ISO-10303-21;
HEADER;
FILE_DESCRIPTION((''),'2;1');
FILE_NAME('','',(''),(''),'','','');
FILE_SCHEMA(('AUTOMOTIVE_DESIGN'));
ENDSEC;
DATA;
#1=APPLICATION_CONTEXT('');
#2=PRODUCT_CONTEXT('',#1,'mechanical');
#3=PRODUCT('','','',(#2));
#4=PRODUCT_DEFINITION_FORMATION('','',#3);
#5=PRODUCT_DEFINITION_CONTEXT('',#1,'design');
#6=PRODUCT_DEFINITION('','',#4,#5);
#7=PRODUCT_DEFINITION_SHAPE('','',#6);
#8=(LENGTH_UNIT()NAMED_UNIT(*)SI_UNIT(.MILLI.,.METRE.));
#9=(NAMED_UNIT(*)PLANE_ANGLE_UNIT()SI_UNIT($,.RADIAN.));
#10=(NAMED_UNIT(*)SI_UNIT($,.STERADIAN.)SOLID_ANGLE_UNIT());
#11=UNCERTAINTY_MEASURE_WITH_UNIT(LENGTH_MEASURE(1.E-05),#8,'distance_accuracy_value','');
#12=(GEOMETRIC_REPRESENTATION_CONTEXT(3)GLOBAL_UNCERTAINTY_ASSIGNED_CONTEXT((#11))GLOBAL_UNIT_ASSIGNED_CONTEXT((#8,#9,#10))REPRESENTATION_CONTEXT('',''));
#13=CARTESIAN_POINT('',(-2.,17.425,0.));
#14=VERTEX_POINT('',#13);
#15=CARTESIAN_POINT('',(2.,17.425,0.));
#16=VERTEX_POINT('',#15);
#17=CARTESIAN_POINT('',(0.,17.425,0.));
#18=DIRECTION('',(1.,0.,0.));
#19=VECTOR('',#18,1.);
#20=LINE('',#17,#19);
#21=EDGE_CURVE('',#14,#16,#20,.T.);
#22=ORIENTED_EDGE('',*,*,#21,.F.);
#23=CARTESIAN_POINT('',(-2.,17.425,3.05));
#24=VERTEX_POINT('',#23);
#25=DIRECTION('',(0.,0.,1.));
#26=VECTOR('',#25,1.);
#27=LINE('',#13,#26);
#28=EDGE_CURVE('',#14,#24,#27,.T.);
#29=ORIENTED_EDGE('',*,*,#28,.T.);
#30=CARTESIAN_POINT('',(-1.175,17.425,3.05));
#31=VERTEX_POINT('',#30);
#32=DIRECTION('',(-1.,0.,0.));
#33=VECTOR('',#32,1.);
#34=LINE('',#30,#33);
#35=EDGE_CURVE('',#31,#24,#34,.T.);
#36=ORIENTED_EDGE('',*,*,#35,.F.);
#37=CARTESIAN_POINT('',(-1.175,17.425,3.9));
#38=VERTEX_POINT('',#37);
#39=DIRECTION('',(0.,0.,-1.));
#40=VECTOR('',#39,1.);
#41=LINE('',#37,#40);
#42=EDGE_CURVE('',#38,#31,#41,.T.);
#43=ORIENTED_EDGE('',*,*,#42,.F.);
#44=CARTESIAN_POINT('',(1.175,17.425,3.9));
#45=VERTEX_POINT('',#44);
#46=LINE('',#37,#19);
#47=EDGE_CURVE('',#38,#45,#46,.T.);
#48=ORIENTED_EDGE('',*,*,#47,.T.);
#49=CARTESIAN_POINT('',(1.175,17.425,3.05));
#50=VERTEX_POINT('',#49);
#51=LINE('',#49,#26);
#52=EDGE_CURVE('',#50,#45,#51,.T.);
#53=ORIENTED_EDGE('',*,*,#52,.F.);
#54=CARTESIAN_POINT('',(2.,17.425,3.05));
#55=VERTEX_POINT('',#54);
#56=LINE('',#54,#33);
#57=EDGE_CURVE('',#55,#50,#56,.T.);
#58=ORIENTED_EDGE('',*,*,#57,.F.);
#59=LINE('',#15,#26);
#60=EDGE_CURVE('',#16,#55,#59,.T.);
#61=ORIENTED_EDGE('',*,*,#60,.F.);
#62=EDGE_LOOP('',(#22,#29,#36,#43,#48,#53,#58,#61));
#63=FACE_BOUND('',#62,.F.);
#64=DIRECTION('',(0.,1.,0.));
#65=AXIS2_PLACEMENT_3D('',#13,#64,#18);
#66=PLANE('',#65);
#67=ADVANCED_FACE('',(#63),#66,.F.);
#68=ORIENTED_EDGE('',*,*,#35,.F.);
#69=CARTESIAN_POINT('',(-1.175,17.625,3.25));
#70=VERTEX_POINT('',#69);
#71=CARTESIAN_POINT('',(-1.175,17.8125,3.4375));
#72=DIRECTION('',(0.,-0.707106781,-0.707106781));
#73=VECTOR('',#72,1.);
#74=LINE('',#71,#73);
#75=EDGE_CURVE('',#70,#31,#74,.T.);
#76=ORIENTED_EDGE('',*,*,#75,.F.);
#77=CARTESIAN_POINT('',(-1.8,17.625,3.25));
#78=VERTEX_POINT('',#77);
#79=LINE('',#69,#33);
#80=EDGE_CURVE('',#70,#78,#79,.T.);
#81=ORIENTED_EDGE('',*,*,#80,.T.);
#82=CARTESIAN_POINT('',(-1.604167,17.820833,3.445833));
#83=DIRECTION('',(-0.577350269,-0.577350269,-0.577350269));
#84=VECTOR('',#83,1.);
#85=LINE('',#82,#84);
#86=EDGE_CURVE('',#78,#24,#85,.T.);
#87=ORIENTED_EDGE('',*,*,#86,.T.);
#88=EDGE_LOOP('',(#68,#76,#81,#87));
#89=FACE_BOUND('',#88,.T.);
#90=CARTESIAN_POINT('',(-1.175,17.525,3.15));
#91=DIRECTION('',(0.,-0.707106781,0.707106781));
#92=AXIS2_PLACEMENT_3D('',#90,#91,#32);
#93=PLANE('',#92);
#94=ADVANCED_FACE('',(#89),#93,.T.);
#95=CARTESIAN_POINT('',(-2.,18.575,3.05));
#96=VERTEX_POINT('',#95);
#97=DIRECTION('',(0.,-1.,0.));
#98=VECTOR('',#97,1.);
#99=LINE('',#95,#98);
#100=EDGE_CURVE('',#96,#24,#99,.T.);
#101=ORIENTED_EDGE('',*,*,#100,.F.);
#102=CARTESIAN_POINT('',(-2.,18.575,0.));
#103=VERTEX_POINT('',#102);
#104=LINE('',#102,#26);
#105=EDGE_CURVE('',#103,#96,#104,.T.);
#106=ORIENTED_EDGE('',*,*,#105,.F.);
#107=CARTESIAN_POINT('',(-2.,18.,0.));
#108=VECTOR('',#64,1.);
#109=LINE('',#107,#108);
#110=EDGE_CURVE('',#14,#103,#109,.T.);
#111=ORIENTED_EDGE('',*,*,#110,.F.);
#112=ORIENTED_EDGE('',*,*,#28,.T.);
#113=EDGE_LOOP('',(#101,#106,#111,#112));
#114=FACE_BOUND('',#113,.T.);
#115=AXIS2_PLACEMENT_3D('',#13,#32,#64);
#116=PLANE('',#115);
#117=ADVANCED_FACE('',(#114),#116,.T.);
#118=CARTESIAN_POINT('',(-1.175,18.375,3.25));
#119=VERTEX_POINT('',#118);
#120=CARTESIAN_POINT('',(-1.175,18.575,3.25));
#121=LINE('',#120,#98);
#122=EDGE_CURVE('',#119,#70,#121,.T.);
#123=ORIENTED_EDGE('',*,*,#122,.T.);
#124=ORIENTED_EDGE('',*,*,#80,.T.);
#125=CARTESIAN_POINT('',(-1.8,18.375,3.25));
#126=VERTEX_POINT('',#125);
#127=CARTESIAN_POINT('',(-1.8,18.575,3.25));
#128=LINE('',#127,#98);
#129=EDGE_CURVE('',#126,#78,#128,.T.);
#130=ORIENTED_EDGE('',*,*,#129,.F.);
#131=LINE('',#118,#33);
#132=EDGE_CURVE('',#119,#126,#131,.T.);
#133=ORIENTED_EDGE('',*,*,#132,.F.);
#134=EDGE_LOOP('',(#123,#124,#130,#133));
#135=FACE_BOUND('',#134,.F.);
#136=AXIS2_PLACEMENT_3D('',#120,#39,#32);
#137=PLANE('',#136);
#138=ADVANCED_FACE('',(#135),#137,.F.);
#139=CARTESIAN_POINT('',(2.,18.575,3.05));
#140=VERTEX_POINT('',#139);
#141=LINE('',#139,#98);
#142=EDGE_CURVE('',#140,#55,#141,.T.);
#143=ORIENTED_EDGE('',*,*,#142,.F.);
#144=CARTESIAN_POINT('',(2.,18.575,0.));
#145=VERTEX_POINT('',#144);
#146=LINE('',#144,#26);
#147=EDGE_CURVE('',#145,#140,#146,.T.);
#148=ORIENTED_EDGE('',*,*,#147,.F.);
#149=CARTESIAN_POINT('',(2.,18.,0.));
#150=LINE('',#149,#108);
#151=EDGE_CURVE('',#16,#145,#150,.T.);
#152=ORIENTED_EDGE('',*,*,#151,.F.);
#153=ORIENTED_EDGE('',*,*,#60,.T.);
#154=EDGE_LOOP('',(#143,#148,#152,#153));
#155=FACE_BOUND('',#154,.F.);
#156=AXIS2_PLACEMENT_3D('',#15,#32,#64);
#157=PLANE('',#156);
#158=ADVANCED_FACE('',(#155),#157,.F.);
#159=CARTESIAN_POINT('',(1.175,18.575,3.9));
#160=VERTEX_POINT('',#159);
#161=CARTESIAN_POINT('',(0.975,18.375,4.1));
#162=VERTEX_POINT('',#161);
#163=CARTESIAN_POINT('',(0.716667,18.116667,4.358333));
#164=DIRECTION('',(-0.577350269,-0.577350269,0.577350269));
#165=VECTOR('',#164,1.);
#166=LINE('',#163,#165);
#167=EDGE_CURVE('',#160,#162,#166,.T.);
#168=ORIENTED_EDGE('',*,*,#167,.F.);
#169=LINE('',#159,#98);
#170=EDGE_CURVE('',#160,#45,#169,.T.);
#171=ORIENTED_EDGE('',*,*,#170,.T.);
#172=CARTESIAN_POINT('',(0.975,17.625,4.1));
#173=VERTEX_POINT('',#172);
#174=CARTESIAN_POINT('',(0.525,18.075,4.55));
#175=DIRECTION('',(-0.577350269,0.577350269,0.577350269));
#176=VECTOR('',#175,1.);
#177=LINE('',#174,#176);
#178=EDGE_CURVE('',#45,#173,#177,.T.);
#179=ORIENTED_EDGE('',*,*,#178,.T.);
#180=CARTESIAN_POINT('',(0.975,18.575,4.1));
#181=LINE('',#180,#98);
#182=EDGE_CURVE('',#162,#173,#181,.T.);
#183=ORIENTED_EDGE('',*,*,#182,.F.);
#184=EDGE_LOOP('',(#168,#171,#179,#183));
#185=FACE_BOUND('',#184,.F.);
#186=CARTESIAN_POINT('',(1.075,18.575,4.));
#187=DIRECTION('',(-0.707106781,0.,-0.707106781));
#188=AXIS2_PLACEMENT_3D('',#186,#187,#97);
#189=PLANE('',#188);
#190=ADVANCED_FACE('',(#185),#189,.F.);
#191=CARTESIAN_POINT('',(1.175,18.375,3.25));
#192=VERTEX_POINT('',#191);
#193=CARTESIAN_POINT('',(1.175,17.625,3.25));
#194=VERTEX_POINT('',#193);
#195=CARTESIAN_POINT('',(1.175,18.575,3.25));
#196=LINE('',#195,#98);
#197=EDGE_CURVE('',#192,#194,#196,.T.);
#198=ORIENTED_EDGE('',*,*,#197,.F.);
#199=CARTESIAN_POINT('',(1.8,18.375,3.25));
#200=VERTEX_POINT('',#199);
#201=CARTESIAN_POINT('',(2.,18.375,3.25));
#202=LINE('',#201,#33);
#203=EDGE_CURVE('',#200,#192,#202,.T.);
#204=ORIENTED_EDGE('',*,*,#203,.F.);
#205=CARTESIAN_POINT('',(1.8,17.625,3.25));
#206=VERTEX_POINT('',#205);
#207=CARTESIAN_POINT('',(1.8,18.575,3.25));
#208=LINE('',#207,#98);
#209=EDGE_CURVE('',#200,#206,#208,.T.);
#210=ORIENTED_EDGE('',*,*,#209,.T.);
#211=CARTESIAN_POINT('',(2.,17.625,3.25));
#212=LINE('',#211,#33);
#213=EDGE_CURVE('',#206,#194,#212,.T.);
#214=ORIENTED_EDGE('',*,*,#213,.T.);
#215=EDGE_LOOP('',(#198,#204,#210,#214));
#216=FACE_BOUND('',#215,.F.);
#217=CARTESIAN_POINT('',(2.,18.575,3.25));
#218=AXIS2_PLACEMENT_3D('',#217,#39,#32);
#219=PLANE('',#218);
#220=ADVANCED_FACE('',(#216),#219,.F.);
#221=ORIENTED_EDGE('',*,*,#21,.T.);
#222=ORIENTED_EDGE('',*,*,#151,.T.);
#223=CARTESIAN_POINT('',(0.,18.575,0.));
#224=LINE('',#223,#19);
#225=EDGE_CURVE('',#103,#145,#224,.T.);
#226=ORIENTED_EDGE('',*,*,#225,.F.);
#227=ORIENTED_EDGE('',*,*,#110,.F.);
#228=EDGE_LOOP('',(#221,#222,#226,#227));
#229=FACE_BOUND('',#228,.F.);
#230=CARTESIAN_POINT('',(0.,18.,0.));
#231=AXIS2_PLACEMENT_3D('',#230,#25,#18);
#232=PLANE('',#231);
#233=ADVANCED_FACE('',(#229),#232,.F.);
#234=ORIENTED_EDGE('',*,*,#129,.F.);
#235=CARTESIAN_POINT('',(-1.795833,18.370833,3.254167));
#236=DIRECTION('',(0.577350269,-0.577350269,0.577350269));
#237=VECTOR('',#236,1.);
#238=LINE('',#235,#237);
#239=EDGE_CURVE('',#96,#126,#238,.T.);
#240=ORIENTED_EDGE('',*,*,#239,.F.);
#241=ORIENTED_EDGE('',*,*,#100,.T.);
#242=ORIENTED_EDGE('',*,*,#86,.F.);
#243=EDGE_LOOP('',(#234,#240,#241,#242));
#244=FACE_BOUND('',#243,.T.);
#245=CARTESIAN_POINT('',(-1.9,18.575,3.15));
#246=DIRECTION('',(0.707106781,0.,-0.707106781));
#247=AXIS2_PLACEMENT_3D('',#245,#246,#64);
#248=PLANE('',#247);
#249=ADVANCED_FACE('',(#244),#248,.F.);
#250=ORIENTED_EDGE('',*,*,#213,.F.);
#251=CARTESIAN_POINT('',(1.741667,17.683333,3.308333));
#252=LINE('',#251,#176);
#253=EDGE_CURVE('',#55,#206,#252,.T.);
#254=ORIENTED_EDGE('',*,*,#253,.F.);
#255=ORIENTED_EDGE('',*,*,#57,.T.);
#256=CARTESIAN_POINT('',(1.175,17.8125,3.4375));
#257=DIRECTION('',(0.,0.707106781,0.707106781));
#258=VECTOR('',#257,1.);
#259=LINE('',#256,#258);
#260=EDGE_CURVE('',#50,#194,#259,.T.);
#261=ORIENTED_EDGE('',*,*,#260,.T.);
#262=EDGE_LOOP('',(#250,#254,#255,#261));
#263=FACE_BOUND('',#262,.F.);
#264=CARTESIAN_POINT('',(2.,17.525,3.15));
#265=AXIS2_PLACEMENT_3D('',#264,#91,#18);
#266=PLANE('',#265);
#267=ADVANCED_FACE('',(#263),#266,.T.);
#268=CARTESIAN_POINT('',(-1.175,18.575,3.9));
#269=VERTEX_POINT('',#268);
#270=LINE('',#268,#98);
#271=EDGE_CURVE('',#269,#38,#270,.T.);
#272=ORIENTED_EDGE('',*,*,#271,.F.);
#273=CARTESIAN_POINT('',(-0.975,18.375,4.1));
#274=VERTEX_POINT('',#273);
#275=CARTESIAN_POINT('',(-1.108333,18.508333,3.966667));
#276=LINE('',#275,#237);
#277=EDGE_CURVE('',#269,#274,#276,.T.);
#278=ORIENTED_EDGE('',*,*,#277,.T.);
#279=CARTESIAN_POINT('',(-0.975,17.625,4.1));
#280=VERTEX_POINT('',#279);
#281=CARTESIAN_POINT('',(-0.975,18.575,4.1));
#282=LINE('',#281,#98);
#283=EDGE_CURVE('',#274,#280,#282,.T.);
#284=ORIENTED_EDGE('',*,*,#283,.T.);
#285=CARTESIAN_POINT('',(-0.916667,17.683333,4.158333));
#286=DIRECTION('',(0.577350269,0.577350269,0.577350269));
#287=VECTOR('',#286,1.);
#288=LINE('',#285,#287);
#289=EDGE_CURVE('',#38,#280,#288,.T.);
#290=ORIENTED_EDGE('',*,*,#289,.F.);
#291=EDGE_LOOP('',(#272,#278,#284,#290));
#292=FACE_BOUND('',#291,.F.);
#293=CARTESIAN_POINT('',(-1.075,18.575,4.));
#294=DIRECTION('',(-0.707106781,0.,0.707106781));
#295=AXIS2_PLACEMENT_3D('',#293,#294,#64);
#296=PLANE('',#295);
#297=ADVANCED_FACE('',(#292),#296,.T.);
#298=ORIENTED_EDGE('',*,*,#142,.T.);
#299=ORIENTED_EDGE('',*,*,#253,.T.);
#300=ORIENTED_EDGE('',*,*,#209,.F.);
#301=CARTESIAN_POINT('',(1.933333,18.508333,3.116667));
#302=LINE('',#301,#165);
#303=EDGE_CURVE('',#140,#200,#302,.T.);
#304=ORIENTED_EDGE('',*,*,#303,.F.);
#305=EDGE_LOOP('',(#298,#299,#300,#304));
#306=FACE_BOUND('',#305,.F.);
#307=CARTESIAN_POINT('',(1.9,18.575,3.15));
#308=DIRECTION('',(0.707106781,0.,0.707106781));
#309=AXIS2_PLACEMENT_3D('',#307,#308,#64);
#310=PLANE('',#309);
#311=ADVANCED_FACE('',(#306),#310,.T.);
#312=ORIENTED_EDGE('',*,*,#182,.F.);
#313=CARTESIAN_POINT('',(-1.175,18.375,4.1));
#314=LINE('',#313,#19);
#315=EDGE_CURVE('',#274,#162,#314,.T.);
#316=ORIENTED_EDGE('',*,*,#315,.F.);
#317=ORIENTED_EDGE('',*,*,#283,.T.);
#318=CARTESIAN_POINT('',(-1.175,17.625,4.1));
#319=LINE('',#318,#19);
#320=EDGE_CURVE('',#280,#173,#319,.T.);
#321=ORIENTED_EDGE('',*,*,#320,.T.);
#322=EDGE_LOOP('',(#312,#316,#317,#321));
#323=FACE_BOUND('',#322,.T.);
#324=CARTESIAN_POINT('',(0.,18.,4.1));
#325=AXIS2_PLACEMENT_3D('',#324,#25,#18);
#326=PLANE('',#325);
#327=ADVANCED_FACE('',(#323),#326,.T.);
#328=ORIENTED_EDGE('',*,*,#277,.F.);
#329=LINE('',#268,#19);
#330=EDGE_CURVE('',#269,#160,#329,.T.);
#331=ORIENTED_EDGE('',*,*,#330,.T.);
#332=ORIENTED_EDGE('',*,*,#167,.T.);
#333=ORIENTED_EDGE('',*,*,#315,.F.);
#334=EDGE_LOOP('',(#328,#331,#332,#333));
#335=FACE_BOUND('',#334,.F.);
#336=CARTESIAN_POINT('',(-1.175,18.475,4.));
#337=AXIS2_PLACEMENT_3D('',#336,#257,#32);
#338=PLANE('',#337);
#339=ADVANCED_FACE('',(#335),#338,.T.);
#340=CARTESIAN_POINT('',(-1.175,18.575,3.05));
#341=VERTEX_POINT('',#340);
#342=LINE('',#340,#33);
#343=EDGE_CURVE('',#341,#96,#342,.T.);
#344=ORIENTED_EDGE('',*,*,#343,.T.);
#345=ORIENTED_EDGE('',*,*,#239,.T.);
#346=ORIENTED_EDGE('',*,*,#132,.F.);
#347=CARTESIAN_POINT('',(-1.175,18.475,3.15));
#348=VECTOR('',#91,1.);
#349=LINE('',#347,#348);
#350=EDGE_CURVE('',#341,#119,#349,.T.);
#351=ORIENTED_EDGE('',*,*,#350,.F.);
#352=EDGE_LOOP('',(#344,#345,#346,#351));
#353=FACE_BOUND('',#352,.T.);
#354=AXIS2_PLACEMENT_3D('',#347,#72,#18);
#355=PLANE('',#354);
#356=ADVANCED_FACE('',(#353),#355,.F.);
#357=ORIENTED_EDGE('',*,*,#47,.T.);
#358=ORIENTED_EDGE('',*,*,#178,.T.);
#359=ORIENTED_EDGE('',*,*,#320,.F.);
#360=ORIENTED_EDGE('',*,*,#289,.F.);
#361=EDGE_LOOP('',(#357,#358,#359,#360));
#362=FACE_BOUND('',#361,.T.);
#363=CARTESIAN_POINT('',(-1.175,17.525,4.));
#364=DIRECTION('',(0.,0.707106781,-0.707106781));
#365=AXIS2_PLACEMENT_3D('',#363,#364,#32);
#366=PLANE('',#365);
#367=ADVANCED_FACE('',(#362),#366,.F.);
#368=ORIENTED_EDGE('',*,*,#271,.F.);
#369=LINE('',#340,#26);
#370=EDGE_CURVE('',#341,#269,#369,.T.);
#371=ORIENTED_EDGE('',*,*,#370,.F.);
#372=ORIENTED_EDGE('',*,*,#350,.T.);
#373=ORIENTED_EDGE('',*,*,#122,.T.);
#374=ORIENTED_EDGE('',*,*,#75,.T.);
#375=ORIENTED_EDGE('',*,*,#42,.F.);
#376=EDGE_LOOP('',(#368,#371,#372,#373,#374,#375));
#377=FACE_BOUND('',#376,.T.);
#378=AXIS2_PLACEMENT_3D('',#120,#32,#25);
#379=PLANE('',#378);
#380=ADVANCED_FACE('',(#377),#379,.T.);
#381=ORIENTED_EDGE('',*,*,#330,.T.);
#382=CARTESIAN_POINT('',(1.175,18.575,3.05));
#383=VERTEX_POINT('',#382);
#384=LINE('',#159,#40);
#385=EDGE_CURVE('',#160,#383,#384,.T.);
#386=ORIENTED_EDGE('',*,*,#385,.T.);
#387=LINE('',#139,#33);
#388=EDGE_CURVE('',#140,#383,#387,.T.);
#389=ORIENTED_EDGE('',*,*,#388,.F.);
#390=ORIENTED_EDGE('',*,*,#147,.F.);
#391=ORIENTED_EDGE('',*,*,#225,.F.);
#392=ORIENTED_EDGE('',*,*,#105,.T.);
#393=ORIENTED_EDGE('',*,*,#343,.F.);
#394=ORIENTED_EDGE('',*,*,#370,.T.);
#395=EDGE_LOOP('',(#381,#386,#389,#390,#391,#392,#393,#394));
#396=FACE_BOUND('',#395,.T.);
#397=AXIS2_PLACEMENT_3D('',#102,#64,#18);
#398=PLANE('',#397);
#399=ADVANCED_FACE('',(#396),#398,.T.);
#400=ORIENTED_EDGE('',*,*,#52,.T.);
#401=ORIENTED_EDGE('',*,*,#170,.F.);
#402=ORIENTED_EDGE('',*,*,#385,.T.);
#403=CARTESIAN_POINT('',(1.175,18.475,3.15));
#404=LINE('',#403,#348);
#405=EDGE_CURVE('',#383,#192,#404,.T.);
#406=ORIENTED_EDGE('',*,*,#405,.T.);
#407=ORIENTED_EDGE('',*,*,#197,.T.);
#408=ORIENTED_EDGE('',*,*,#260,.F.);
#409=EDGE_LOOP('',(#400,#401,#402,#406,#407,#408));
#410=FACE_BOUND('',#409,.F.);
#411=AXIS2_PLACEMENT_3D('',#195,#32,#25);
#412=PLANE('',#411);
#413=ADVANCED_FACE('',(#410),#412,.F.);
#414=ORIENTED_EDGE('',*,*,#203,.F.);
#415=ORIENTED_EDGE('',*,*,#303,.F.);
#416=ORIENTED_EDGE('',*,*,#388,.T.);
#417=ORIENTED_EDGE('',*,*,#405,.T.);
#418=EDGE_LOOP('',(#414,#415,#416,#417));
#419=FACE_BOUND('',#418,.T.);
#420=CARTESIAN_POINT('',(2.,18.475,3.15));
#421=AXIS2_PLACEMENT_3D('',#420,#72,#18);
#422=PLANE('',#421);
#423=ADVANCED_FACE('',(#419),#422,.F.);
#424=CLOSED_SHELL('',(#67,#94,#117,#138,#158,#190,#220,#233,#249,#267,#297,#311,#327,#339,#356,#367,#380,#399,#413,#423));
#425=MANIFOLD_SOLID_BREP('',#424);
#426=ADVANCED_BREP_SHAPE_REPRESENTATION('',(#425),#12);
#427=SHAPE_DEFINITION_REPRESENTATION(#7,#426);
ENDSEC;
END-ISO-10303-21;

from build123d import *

# Parameters (mm, degrees)
SKETCH008_W     = 4
SKETCH008_H     = 1.15
PAD005_DEPTH    = 4.1
SKETCH009_W     = 0.825
SKETCH009_H     = 0.85
POCKET002_DEPTH = 5
CHAMFER005_SIZE = 0.2


with BuildPart() as part:
    # Sketch008 → Pad005 (new body)
    with BuildSketch(Plane.XY):
        Rectangle(SKETCH008_W, SKETCH008_H)
    extrude(amount=PAD005_DEPTH)

    # Sketch009 (on Face1 of Pad005) → Pocket002 (cut)
    with BuildSketch(Plane(origin=(0, 0.575, 0), x_dir=(-1, 0, 0), z_dir=(0, 1, 0))):
        with Locations((-1.5875, 3.675)):
            Rectangle(SKETCH009_W, SKETCH009_H)
        with Locations((1.5875, 3.675)):
            Rectangle(SKETCH009_W, SKETCH009_H)
    extrude(amount=-POCKET002_DEPTH, mode=Mode.SUBTRACT)

    # Chamfer005
    chamfer005_edges = [part.edges().sort_by_distance(p)[0] for p in [
        (0, 0.575, 4.1),
        (0, -0.575, 4.1),
        (1.5875, 0.575, 3.25),
        (-1.5875, 0.575, 3.25),
        (-1.5875, -0.575, 3.25),
        (1.5875, -0.575, 3.25),
        (2, 0, 3.25),
        (-2, 0, 3.25),
        (1.175, 0, 4.1),
        (-1.175, 0, 4.1),
    ]]
    chamfer(chamfer005_edges, length=CHAMFER005_SIZE)


with BuildPart() as part_1:
    # Body037 placement: moved
    add(part.part.moved(Location((0, 18, 0))))


solid = part_1.part
